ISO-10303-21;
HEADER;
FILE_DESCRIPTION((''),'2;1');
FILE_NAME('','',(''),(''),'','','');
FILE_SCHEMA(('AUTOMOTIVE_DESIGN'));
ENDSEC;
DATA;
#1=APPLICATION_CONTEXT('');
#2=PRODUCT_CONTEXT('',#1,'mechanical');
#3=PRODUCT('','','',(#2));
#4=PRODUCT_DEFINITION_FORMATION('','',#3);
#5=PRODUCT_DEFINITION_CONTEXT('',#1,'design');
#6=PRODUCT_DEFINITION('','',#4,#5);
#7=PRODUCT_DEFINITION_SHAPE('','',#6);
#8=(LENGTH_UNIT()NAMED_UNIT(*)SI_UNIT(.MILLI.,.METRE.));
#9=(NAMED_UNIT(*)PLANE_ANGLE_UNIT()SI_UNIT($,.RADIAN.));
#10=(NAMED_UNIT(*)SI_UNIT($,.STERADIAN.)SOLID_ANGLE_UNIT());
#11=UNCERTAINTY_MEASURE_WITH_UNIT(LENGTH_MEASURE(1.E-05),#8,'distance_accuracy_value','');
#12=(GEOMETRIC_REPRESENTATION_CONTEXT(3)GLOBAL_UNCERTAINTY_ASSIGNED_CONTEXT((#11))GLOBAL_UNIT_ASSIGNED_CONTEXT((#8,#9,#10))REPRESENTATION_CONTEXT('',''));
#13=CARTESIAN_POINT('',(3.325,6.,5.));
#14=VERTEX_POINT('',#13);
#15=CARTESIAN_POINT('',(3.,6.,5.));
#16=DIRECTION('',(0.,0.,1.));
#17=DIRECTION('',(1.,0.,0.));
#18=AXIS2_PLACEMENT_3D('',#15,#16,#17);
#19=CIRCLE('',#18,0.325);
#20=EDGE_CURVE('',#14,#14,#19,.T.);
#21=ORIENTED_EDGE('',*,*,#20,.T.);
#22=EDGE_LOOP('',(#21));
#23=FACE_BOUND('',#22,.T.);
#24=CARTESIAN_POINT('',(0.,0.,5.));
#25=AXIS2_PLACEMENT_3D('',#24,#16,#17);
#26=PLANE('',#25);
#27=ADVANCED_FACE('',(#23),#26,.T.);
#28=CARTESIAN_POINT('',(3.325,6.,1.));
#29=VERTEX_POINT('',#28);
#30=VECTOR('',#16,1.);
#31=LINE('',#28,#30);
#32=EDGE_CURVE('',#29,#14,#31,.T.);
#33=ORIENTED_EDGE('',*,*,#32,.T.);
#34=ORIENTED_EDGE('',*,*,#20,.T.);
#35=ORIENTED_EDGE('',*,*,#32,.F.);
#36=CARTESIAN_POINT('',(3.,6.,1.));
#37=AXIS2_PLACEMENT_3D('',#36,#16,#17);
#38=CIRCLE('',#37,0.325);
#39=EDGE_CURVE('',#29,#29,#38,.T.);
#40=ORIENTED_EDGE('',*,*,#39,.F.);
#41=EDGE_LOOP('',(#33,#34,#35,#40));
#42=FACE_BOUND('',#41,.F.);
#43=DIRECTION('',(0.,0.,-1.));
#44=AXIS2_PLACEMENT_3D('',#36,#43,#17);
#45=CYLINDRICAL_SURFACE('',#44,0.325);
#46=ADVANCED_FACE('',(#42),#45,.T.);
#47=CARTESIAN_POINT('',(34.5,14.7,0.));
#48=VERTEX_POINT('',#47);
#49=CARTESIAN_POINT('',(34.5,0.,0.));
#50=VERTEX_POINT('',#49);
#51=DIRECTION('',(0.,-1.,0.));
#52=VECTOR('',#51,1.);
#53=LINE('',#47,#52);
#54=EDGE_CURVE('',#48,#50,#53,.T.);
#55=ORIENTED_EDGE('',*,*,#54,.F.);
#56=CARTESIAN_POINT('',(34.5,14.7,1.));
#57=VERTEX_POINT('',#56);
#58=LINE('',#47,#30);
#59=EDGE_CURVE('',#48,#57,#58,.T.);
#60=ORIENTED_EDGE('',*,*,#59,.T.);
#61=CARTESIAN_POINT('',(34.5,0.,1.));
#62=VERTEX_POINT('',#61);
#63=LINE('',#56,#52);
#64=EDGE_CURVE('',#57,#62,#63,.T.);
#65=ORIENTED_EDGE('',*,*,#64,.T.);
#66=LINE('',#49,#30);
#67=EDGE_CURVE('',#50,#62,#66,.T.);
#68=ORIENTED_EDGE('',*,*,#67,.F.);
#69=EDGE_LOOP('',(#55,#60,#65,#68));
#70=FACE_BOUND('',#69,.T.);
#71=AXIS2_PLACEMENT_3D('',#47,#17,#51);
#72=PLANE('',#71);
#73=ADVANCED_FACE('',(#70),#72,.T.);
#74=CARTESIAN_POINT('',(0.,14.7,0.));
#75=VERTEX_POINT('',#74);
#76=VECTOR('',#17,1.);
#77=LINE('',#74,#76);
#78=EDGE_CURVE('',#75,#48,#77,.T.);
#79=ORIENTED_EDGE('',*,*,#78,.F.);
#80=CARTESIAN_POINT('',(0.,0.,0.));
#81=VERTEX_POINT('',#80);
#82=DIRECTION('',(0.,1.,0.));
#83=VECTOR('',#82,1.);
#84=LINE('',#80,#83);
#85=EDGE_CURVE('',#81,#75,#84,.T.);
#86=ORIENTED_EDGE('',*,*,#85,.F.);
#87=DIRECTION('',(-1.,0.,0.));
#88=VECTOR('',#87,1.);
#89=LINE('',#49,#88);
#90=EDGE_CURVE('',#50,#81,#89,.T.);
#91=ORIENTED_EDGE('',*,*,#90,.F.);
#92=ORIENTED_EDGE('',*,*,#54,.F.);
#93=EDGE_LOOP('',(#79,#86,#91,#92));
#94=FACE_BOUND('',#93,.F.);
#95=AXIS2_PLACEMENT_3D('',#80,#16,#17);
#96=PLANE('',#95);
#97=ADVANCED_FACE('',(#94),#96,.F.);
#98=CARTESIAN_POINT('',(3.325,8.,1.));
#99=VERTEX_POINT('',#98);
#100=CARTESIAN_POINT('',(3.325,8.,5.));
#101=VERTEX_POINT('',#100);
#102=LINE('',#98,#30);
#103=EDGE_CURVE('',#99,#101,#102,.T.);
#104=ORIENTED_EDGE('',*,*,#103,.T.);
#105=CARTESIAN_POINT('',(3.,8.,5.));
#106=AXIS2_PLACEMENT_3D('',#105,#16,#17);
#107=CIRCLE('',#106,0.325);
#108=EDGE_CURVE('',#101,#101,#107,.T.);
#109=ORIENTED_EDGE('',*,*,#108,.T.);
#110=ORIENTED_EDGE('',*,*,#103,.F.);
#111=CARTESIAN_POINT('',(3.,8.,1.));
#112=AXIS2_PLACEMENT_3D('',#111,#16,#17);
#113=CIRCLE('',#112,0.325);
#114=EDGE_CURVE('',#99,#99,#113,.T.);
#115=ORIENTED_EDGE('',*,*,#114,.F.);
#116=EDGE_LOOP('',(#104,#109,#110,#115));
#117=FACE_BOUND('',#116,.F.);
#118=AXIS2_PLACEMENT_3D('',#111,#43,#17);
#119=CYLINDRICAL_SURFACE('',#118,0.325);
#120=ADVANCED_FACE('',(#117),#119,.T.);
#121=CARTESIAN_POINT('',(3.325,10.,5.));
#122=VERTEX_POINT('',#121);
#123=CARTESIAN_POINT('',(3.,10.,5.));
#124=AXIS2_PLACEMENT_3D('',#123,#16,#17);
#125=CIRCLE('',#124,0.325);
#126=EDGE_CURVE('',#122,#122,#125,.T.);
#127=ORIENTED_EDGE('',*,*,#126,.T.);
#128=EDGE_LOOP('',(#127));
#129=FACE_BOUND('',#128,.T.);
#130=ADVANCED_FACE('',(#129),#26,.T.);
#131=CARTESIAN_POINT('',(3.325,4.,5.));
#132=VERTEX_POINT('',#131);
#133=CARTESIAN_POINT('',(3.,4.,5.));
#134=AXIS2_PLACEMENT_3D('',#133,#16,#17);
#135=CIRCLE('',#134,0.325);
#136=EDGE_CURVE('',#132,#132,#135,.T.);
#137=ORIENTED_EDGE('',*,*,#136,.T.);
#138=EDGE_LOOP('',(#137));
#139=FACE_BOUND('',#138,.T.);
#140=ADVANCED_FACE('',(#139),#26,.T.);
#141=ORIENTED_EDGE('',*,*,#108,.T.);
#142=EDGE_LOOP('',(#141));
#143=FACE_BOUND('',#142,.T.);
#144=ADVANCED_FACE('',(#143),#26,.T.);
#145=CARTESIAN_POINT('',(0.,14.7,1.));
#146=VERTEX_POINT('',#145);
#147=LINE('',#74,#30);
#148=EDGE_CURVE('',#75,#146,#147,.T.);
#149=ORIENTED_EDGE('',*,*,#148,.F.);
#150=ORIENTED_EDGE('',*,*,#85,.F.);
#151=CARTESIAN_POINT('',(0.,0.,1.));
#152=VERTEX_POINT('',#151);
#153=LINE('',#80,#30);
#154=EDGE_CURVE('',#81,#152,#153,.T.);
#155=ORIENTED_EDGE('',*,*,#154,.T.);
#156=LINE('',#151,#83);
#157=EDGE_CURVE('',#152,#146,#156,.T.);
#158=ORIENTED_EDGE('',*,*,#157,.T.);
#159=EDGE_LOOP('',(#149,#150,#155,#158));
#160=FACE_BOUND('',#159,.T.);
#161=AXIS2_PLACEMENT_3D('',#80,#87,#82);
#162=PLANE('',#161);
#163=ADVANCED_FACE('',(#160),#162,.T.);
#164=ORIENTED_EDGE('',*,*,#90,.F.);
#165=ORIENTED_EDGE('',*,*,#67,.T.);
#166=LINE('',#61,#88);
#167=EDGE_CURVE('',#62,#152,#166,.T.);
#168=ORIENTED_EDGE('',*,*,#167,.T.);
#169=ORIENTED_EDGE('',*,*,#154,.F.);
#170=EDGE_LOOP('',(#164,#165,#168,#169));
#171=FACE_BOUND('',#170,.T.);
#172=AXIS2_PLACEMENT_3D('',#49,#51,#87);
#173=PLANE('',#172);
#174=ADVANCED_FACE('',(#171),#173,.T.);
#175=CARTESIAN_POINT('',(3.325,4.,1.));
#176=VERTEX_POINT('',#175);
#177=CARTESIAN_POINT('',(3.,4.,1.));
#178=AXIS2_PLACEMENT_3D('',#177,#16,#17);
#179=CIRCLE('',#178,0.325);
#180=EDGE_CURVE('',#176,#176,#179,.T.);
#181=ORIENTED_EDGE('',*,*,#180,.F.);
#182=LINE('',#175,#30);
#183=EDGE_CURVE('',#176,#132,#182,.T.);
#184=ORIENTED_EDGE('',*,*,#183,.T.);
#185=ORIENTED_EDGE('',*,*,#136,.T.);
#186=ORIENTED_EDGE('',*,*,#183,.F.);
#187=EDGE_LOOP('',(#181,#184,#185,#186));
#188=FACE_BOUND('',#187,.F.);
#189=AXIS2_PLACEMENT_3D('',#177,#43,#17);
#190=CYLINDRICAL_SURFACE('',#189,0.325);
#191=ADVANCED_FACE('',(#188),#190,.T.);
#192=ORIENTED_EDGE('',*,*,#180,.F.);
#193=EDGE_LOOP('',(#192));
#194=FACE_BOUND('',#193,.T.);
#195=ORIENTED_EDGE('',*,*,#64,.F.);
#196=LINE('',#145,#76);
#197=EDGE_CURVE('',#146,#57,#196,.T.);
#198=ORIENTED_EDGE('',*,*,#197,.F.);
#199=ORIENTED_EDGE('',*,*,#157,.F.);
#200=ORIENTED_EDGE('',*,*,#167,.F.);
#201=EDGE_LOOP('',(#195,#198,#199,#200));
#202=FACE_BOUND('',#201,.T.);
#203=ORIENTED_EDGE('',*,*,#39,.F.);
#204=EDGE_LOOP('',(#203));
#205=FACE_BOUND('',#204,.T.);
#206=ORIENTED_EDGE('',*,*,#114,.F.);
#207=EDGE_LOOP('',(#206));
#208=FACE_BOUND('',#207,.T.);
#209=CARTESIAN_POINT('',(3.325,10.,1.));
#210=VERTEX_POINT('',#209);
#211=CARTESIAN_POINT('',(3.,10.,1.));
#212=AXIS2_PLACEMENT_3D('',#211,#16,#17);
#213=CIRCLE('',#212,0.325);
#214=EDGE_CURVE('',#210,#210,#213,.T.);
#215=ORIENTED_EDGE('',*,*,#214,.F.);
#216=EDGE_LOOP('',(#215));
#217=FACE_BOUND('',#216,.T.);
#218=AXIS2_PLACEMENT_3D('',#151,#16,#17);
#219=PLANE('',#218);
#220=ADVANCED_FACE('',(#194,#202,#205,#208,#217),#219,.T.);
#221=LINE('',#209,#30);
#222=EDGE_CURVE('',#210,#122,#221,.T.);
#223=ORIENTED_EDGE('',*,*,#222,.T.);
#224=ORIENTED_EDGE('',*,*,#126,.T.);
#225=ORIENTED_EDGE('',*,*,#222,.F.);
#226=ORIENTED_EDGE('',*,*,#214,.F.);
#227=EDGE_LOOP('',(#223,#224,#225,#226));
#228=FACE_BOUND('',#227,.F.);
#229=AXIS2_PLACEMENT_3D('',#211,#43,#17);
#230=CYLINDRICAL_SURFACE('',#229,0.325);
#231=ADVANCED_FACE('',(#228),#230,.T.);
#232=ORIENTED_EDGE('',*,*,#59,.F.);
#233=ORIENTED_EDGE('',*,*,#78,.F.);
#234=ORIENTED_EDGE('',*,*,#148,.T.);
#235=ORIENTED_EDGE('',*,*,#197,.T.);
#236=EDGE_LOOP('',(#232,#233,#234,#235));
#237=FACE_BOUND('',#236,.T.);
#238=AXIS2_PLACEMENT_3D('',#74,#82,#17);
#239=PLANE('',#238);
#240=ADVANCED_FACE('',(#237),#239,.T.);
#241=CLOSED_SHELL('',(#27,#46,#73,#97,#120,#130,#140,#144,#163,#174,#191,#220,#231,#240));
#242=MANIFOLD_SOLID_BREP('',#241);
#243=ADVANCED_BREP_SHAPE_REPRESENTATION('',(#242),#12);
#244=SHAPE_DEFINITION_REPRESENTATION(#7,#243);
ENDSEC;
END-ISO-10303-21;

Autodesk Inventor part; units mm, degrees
ref_plane "YZ Plane" through (0, 0, 0) normal (1, 0, 0) x (0, 1, 0)
ref_plane "XZ Plane" through (0, 0, 0) normal (0, 1, 0) x (-1, 0, 0)
ref_plane "XY Plane" through (0, 0, 0) normal (0, 0, 1) x (1, 0, 0)
sketch "Sketch1" plane through (0, 0, 0) normal (0, 0, 1) x (1, 0, 0)
  line L0 (0, 0) -> (0, 14.7)
  line L1 (0, 14.7) -> (34.5, 14.7)
  line L2 (34.5, 14.7) -> (34.5, 0)
  line L3 (34.5, 0) -> (0, 0)
  dimension "d0" = 14.7
  dimension "d1" = 34.5
extrude "Extrusion1" add sketch "Sketch1" along normal blind 1
sketch "Sketch3" plane through (0, 0, 1) normal (0, 0, 1) x (1, 0, 0)
  circle A0 centre (3, 4) radius 0.325
  circle A1 centre (3, 6) radius 0.325
  circle A2 centre (3, 8) radius 0.325
  circle A3 centre (3, 10) radius 0.325
  dimension "d9" = 0.65
  dimension "d10" = 0.65
  dimension "d11" = 0.65
  dimension "d12" = 0.65
extrude "Extrusion3" add sketch "Sketch3" along normal blind 4
properties part number "Zijplaat 3"
